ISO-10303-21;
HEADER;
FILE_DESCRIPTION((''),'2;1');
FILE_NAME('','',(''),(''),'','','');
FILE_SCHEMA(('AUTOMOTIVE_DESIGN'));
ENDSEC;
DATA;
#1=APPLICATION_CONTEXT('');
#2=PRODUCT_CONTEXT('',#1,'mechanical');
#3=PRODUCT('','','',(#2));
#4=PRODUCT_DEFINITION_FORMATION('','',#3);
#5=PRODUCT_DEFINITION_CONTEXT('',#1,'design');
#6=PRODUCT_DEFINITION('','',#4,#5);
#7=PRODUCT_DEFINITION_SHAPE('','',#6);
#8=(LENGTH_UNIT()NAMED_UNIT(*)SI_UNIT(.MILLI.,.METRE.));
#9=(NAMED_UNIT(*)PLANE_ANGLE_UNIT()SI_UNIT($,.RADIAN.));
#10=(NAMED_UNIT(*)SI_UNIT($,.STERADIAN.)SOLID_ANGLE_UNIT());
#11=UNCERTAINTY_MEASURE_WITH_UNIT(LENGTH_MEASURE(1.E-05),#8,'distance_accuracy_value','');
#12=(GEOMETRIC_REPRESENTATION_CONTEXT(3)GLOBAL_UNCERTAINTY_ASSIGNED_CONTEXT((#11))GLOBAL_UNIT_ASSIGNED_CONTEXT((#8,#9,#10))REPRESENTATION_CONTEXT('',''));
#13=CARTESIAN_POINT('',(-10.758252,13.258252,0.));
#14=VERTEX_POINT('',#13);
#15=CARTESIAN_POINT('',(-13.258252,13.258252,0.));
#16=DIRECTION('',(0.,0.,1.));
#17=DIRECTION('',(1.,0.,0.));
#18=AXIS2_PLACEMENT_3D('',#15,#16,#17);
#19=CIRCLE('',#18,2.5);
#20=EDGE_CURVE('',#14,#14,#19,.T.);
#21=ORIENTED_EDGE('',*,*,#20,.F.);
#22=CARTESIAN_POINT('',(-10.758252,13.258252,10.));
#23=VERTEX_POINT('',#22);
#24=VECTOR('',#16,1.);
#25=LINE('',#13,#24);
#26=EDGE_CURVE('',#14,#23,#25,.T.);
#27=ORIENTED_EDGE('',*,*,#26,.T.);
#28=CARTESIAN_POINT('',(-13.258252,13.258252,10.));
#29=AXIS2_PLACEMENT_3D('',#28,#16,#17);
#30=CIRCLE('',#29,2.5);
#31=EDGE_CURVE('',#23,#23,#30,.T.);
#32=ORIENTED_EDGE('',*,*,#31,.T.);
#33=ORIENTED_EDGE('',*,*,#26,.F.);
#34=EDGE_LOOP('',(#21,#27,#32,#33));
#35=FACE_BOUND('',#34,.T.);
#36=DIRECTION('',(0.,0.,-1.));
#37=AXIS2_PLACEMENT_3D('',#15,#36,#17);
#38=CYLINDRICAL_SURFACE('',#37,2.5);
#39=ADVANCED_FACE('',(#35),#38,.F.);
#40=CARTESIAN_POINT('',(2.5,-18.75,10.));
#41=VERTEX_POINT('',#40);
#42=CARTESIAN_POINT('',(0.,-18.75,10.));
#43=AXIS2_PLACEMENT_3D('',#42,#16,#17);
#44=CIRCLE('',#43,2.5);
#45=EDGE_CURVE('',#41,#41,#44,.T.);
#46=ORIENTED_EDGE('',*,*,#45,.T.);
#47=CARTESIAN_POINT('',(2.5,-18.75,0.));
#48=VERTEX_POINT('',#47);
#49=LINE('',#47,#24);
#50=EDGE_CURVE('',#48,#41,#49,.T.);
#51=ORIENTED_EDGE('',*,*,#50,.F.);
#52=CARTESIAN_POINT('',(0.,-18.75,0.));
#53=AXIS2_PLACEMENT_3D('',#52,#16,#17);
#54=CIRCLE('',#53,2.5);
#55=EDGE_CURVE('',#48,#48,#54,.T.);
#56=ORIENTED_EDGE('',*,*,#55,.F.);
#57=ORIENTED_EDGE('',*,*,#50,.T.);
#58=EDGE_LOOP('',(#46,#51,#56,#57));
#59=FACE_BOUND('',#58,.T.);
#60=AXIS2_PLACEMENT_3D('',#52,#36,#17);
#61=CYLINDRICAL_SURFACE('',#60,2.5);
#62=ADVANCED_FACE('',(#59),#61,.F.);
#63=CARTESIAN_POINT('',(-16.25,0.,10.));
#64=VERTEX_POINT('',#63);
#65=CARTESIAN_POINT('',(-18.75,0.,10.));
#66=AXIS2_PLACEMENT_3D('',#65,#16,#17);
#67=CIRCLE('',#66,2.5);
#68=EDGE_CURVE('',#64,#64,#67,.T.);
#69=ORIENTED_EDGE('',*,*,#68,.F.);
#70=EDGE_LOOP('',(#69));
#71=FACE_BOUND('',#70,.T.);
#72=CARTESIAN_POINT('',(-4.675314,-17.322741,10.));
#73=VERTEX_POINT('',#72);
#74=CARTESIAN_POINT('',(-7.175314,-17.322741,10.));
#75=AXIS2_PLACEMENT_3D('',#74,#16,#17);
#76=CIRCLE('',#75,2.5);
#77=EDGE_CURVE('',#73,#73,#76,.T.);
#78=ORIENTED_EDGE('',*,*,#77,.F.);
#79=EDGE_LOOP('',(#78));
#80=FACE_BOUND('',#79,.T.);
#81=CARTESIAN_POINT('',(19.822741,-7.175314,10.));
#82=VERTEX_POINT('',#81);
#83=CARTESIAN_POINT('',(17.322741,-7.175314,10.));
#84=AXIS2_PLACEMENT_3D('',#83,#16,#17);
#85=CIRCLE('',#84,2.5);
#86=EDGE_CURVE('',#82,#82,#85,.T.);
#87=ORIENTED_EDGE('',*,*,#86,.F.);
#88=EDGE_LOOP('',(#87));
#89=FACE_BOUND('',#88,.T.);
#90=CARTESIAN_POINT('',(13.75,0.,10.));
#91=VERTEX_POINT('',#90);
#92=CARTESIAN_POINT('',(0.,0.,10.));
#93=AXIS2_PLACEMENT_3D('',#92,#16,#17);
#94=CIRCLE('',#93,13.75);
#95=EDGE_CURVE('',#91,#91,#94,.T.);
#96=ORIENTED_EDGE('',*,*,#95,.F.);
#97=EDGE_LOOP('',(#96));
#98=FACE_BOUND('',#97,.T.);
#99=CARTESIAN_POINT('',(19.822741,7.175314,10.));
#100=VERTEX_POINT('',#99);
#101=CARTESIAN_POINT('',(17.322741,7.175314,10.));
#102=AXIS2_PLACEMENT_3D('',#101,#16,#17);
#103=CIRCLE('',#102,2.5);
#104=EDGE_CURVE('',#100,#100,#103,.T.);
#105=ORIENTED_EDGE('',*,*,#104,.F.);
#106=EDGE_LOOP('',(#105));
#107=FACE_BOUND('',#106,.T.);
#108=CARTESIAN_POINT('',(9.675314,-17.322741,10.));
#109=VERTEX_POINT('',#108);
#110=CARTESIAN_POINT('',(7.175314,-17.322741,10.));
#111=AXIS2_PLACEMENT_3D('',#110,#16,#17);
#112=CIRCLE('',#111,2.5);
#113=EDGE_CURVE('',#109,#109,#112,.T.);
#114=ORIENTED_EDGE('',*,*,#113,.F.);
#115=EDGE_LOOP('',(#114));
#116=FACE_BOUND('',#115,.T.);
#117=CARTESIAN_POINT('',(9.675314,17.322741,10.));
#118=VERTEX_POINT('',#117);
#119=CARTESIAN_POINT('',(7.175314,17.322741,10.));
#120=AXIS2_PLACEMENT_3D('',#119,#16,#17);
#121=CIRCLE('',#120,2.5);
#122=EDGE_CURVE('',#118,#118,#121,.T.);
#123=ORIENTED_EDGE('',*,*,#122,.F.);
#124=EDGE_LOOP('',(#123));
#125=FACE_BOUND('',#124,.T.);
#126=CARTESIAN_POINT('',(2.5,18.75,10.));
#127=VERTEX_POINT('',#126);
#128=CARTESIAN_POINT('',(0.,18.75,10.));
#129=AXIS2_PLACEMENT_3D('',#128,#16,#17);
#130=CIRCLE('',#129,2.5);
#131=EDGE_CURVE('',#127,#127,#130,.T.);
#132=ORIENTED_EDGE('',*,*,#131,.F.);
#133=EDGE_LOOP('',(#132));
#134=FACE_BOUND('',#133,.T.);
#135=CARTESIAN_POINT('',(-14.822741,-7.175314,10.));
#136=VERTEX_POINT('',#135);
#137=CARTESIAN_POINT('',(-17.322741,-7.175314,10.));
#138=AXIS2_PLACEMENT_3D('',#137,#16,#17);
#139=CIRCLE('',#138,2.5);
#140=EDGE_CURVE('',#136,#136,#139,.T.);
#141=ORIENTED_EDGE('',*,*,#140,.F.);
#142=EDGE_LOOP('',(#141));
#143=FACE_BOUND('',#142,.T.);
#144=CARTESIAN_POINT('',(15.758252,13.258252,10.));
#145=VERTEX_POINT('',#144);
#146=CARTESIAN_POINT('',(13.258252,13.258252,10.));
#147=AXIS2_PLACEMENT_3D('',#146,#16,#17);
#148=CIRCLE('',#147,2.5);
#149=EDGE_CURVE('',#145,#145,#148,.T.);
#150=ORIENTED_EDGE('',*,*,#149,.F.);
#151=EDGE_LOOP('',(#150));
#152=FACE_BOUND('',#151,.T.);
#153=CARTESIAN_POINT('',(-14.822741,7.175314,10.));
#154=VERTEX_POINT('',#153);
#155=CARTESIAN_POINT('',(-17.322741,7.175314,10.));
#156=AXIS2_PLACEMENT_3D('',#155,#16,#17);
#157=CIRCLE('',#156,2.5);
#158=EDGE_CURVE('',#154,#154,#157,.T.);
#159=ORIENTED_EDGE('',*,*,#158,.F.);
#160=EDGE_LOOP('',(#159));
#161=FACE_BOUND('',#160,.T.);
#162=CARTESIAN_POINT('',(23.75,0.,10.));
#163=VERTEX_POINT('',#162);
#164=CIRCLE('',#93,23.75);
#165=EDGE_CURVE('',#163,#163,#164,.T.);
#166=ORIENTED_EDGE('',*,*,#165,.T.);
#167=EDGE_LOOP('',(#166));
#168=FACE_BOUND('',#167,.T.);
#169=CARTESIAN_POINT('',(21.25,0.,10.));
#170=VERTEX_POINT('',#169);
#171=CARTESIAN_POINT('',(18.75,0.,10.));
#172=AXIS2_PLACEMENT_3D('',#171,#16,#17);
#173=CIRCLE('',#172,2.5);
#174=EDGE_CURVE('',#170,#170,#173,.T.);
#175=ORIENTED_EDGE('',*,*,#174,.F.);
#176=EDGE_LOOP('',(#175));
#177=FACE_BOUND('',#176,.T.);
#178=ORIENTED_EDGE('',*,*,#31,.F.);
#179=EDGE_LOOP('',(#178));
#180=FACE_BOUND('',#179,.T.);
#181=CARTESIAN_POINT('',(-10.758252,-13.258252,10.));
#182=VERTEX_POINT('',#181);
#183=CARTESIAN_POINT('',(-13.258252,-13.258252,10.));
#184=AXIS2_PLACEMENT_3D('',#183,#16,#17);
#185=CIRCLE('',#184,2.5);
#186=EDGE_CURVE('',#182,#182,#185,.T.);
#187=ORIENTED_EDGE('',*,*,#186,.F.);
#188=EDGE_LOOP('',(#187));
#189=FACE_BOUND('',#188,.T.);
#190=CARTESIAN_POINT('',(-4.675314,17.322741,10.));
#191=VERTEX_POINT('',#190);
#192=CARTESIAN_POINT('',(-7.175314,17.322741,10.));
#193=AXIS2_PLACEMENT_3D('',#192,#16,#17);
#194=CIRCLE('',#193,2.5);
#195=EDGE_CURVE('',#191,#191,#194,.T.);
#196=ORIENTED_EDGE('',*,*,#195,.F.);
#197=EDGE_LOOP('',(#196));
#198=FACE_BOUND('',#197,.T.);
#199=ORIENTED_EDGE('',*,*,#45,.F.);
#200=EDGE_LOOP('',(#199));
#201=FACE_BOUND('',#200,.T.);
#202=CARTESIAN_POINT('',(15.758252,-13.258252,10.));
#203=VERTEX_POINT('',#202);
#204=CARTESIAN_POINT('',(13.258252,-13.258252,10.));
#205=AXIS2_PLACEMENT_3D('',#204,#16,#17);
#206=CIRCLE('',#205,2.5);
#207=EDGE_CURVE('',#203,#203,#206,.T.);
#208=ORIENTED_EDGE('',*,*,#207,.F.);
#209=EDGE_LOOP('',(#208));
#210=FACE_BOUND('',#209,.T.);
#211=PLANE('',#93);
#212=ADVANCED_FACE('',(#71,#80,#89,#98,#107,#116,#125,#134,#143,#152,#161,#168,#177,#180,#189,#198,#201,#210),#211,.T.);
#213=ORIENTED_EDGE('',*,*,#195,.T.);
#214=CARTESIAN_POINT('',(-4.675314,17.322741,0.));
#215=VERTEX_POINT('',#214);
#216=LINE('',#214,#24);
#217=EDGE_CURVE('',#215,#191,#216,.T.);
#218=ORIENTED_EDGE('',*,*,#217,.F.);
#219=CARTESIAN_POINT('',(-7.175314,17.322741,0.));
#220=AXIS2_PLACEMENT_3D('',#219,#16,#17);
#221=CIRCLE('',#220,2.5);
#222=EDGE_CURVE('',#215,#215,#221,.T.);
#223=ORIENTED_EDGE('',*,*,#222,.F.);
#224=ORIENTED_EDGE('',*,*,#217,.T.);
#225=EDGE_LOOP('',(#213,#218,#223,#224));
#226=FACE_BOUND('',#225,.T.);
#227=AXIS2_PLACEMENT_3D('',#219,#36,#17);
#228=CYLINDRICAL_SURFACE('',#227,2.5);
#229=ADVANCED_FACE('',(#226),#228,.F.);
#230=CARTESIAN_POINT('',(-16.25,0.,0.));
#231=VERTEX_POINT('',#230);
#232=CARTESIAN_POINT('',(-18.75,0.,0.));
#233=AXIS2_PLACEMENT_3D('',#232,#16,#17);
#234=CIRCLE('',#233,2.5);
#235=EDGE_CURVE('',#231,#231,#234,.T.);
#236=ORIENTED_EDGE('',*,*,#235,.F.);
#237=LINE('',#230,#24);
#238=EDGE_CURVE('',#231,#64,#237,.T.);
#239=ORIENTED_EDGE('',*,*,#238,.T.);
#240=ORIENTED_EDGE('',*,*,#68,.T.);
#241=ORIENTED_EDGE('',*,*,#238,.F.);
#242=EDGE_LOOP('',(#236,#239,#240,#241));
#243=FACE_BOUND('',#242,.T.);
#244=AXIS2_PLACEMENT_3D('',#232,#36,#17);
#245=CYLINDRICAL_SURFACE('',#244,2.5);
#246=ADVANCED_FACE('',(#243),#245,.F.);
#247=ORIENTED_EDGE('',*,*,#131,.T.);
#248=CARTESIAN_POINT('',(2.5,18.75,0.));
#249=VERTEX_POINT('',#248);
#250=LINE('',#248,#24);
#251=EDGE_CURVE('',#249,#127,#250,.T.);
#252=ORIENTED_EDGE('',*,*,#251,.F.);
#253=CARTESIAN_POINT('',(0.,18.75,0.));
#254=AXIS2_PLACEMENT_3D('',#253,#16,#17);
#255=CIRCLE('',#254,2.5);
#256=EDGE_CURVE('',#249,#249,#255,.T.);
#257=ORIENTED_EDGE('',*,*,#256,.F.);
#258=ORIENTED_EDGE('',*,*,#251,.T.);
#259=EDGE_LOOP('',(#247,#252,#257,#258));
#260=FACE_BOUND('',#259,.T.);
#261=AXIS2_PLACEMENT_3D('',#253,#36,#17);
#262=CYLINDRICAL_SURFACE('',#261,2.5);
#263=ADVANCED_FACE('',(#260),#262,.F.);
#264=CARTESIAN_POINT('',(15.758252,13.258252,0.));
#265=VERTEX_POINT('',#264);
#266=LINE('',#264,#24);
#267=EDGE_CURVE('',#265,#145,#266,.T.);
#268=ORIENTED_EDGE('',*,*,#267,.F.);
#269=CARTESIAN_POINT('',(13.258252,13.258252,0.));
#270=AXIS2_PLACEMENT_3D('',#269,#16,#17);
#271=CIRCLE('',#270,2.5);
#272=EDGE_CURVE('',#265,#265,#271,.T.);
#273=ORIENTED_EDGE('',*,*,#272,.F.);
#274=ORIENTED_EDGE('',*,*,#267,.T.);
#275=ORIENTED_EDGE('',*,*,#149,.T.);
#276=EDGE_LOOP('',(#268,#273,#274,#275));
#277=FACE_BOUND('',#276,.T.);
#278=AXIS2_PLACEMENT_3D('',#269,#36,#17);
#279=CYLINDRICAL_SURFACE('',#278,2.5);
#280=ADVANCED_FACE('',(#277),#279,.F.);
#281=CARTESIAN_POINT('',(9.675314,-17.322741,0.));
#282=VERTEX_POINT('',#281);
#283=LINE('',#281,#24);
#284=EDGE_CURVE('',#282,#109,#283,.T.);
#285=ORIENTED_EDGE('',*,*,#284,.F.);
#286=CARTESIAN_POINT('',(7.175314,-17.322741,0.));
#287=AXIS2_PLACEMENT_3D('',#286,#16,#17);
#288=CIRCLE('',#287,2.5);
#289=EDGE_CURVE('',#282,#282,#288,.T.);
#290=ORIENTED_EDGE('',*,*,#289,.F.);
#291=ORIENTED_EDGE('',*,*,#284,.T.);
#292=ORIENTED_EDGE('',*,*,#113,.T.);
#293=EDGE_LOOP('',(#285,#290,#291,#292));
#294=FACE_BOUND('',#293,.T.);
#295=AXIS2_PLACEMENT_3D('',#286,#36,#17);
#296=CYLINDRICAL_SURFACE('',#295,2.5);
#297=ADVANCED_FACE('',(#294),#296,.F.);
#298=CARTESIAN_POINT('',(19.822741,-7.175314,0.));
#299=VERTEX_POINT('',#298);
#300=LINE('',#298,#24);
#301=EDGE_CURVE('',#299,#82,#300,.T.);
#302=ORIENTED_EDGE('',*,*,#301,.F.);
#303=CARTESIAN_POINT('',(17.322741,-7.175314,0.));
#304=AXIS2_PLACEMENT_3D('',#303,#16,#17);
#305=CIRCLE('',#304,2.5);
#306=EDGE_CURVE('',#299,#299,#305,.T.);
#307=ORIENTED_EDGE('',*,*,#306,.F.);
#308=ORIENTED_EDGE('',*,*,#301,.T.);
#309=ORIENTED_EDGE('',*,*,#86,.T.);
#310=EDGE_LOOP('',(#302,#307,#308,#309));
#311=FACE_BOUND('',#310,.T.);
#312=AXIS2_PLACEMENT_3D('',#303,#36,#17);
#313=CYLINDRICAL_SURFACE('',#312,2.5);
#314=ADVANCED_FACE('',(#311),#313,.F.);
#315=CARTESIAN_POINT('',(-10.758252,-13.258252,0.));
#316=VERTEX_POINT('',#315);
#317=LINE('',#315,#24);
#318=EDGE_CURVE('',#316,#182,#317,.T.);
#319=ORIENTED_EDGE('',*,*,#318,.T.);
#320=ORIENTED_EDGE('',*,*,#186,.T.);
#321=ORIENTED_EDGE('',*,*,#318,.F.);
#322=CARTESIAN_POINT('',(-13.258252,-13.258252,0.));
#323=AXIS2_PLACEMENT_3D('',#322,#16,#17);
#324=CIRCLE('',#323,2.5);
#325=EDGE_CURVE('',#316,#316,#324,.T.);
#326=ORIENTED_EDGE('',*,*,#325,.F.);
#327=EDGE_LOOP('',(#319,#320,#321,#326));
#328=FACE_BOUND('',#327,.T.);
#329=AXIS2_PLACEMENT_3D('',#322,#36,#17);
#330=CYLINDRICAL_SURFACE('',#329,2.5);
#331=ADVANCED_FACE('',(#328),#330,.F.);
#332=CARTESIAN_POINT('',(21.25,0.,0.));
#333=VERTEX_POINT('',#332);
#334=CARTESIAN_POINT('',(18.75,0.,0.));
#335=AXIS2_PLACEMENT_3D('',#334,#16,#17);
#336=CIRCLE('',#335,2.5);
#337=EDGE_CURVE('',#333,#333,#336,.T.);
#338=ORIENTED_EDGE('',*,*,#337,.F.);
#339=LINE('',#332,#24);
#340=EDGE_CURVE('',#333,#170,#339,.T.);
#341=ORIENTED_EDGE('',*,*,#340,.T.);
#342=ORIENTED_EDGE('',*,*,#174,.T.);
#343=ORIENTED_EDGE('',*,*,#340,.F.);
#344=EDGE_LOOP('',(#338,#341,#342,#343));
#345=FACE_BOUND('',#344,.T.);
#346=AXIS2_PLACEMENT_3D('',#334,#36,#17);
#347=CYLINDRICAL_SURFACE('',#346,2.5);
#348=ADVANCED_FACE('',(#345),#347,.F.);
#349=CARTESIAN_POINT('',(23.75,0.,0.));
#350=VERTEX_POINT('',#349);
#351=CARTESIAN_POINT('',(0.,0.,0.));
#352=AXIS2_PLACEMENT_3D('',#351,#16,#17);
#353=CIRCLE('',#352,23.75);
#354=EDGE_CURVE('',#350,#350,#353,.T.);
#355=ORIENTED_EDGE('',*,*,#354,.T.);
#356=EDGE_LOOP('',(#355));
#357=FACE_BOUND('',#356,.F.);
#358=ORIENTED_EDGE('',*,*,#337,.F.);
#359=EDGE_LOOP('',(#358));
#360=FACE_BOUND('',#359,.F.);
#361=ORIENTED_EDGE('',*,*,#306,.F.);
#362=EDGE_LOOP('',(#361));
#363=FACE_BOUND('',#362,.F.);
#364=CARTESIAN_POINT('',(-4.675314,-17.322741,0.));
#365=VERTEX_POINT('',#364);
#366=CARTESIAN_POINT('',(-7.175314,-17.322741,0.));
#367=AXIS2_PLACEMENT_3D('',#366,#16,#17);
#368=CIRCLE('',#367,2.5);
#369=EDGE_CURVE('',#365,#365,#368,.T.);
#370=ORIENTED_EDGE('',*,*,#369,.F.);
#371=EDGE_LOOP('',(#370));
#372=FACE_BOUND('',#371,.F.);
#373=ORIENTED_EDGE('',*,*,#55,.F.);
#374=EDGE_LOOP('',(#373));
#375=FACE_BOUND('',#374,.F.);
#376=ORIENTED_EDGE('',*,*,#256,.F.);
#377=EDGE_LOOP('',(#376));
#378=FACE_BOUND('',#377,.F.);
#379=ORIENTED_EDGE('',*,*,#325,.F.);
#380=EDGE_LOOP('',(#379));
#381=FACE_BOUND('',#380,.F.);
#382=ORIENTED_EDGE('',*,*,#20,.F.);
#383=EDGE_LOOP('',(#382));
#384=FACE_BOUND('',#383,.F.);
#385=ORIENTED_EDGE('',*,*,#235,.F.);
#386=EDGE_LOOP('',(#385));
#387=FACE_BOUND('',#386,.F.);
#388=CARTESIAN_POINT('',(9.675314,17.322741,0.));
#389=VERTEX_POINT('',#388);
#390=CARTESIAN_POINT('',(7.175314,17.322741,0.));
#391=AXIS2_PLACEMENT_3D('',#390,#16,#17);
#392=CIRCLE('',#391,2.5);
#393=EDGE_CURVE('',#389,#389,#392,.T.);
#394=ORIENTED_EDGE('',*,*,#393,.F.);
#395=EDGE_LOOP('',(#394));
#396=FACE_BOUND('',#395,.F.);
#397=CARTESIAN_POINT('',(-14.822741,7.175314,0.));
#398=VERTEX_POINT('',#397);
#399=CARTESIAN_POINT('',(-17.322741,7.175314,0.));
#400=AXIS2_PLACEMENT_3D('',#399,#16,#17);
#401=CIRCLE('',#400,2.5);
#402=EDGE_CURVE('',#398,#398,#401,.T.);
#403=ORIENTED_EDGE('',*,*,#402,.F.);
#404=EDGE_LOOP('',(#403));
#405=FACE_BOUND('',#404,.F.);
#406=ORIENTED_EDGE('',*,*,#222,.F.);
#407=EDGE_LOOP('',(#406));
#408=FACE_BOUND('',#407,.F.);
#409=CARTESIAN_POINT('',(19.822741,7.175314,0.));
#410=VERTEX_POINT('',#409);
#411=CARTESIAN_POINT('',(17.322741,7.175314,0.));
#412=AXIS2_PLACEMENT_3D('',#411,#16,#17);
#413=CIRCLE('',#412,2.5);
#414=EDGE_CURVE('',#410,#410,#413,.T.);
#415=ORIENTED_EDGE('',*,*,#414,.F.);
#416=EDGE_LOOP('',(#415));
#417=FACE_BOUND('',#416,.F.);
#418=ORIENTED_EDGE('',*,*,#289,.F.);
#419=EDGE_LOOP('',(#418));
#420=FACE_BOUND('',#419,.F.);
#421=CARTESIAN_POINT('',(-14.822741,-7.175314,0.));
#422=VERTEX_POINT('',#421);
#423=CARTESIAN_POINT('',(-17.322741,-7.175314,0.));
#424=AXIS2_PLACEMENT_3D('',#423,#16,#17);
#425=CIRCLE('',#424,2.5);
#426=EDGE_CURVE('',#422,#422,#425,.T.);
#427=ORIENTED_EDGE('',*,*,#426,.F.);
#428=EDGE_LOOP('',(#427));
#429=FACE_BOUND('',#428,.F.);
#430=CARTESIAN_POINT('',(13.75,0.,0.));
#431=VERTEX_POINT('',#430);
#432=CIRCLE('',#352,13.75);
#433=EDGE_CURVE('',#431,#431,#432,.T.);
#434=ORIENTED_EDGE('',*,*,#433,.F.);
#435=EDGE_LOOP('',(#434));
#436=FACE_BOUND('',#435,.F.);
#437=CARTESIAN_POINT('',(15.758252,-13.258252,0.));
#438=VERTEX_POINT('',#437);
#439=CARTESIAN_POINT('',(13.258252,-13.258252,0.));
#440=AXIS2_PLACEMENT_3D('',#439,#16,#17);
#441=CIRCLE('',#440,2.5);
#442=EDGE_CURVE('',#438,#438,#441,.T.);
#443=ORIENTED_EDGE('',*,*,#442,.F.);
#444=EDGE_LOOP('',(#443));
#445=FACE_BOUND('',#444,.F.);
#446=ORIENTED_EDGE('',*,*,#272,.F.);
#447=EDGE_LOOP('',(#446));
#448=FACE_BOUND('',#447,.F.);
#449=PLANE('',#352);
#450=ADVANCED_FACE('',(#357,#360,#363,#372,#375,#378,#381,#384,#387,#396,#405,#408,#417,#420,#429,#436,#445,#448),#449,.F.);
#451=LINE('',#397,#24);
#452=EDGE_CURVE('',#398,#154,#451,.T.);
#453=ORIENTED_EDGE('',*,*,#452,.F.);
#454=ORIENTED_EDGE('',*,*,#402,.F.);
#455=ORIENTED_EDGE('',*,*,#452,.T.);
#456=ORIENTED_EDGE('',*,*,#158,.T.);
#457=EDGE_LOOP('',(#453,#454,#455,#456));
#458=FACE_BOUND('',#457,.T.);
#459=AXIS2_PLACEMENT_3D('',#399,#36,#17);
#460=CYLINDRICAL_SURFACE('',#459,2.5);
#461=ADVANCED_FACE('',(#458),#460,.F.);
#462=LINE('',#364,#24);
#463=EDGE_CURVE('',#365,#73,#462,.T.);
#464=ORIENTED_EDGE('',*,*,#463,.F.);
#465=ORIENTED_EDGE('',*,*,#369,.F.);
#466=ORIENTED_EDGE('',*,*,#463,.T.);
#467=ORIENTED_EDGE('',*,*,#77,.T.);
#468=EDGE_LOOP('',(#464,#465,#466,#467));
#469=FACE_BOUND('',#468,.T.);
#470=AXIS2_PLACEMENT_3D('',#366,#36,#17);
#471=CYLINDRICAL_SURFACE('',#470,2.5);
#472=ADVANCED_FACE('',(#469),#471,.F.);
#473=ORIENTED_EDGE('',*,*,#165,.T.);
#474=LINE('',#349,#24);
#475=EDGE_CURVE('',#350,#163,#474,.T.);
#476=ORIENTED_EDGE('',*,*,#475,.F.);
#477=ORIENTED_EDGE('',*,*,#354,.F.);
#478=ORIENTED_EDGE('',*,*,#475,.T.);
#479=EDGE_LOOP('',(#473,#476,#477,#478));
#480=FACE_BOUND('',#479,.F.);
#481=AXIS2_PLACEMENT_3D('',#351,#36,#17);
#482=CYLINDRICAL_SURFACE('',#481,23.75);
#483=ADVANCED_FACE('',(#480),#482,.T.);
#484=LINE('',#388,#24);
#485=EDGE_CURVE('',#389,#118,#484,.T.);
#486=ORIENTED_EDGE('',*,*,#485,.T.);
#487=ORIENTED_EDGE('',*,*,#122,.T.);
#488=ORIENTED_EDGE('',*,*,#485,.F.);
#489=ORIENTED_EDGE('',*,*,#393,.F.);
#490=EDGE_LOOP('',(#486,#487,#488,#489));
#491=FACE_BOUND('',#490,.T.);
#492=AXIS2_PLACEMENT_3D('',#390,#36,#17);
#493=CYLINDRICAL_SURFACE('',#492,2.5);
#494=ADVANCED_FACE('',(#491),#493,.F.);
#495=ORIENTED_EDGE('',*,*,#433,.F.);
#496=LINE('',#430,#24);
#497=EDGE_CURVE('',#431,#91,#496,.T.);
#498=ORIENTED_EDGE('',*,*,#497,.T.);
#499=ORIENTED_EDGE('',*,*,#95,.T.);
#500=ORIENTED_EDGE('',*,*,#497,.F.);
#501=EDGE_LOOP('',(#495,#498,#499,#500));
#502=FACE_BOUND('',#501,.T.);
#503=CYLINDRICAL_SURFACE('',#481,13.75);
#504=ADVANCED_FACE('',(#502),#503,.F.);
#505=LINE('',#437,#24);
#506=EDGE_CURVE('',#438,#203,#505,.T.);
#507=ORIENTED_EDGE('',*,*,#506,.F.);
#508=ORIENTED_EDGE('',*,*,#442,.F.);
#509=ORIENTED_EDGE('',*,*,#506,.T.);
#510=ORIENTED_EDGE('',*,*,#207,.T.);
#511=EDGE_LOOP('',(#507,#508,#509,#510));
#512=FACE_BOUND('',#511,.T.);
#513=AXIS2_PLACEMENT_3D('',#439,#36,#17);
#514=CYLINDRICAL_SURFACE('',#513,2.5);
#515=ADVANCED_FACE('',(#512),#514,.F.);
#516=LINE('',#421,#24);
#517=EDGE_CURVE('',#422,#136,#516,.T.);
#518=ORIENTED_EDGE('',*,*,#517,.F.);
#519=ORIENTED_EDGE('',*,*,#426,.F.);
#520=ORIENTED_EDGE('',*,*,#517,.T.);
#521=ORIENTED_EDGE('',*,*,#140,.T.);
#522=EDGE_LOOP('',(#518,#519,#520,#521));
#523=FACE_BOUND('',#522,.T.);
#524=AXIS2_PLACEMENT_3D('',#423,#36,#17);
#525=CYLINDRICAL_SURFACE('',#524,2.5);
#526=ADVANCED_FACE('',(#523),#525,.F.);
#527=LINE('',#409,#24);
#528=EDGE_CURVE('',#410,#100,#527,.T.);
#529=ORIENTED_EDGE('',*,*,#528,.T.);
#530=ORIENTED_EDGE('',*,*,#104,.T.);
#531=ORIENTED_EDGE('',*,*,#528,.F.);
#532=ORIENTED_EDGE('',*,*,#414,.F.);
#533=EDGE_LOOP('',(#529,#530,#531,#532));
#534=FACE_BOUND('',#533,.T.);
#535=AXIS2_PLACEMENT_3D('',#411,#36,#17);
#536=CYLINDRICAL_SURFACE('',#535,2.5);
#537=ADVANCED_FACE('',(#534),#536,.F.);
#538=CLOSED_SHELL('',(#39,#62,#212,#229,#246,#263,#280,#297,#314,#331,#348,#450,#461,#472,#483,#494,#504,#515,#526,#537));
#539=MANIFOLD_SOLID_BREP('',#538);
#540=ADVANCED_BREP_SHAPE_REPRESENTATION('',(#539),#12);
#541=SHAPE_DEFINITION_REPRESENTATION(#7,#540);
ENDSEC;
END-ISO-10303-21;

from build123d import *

# Parameters (mm, degrees)
F0_R     = 23.75
F0_R_2   = 2.5
F0_R_3   = 13.75
F1_DEPTH = 10


with BuildPart() as f1:
    # F0 (on Top) → F1 (new body)
    with BuildSketch(Plane.XY):
        Circle(F0_R)
        with Locations((-13.258252, -13.258252)):
            Circle(F0_R_2, mode=Mode.SUBTRACT)
        with Locations((-7.175314, -17.322741)):
            Circle(F0_R_2, mode=Mode.SUBTRACT)
        with Locations((-17.322741, -7.175314)):
            Circle(F0_R_2, mode=Mode.SUBTRACT)
        with Locations((0, -18.75)):
            Circle(F0_R_2, mode=Mode.SUBTRACT)
        with Locations((7.175314, -17.322741)):
            Circle(F0_R_2, mode=Mode.SUBTRACT)
        with Locations((13.258252, -13.258252)):
            Circle(F0_R_2, mode=Mode.SUBTRACT)
        with Locations((17.322741, -7.175314)):
            Circle(F0_R_2, mode=Mode.SUBTRACT)
        with Locations((-18.75, 0)):
            Circle(F0_R_2, mode=Mode.SUBTRACT)
        with Locations((-17.322741, 7.175314)):
            Circle(F0_R_2, mode=Mode.SUBTRACT)
        with Locations((-13.258252, 13.258252)):
            Circle(F0_R_2, mode=Mode.SUBTRACT)
        with Locations((-7.175314, 17.322741)):
            Circle(F0_R_2, mode=Mode.SUBTRACT)
        Circle(F0_R_3, mode=Mode.SUBTRACT)
        with Locations((18.75, 0)):
            Circle(F0_R_2, mode=Mode.SUBTRACT)
        with Locations((17.322741, 7.175314)):
            Circle(F0_R_2, mode=Mode.SUBTRACT)
        with Locations((7.175314, 17.322741)):
            Circle(F0_R_2, mode=Mode.SUBTRACT)
        with Locations((0, 18.75)):
            Circle(F0_R_2, mode=Mode.SUBTRACT)
        with Locations((13.258252, 13.258252)):
            Circle(F0_R_2, mode=Mode.SUBTRACT)
    extrude(amount=F1_DEPTH)


solid = f1.part
